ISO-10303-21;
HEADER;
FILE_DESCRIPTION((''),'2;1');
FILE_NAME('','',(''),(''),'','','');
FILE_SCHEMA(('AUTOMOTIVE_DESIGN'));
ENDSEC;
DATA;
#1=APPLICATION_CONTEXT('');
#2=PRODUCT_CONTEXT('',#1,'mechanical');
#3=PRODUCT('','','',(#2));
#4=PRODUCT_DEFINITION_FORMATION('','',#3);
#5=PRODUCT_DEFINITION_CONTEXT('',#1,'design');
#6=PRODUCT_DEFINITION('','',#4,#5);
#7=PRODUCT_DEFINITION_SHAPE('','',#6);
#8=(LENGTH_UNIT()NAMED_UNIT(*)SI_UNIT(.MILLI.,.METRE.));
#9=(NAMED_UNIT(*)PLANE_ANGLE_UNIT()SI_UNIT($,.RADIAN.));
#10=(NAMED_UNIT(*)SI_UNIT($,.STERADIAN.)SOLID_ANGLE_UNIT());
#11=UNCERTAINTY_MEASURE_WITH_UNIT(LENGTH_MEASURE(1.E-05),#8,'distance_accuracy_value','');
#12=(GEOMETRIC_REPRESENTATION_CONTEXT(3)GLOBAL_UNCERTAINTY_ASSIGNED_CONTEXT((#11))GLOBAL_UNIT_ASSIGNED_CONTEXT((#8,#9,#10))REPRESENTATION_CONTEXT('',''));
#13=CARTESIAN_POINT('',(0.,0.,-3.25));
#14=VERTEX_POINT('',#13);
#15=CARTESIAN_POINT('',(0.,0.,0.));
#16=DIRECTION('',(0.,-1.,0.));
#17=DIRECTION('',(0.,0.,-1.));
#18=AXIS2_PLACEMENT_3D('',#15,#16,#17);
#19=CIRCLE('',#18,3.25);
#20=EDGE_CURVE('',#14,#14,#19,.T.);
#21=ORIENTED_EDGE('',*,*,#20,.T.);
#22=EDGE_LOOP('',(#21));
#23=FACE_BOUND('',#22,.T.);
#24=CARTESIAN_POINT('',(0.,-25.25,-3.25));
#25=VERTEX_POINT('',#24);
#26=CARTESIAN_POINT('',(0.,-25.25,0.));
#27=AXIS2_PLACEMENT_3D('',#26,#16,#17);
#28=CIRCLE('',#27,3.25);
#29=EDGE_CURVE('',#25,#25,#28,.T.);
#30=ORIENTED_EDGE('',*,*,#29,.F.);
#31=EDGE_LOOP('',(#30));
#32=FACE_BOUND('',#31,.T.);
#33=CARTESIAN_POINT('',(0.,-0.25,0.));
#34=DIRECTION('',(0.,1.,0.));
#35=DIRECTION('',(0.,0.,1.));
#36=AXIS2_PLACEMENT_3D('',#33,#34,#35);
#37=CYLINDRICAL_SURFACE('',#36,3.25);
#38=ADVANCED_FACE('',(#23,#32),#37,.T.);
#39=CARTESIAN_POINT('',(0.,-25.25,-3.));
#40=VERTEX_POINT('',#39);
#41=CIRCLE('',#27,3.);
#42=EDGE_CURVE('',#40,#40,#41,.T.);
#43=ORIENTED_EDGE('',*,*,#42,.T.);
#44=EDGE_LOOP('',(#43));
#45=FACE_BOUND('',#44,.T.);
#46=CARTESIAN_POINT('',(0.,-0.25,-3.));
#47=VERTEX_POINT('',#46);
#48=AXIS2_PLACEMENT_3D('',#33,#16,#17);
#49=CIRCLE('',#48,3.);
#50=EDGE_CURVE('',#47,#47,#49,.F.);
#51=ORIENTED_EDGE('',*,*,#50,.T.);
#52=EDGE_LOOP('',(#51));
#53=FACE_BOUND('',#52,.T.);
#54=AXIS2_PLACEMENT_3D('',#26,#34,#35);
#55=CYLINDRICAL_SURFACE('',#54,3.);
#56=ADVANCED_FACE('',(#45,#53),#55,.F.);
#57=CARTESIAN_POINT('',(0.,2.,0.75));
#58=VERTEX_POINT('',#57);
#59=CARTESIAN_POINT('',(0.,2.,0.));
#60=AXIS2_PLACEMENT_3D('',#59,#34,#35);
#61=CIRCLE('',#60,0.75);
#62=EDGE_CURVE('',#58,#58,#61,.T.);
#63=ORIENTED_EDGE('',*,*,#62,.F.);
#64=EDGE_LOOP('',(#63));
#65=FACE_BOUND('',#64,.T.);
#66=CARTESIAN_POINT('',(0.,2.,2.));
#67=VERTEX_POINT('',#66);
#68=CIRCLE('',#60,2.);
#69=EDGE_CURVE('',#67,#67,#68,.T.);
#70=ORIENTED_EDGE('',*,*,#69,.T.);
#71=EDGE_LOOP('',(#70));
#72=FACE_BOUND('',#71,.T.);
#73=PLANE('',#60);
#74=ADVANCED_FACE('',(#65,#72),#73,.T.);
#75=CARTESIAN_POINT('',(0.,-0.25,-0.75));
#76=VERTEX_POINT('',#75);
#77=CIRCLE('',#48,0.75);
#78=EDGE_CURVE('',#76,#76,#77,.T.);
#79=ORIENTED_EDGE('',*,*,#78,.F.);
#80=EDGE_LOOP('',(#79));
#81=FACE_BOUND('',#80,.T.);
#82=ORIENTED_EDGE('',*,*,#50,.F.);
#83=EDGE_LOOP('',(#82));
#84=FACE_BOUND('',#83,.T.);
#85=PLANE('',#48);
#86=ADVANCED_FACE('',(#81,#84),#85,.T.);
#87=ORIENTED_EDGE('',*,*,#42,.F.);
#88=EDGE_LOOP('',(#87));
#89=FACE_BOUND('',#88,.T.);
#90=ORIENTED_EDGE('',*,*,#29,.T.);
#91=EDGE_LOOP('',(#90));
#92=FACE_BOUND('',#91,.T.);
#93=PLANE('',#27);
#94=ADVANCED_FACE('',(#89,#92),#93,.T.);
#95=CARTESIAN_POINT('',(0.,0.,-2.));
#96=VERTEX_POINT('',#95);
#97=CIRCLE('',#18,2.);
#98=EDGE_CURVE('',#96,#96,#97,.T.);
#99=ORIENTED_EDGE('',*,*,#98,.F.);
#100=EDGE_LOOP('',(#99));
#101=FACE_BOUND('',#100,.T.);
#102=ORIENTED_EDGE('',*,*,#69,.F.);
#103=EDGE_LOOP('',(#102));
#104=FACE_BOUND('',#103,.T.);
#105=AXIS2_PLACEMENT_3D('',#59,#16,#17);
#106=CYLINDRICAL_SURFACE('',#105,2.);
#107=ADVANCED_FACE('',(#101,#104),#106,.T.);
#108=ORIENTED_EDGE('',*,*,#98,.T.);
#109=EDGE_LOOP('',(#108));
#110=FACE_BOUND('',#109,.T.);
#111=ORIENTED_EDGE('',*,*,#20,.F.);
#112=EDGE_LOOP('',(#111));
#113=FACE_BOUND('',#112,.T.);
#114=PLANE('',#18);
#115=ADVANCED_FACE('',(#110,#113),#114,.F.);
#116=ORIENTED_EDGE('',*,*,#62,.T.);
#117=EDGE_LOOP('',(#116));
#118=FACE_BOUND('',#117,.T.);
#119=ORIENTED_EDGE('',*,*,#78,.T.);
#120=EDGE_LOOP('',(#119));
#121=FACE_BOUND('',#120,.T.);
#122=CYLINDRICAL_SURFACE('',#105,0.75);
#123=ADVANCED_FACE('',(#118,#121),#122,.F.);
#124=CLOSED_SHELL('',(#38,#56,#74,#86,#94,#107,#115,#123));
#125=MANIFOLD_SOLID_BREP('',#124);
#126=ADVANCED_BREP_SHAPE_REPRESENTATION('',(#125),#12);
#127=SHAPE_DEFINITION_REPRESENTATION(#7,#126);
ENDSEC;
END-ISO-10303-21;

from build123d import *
from build123d.topology import SkipClean

# Parameters (mm, degrees)
SKETCH1_R           = 2
SKETCH1_R_2         = 0.75
BOSS_EXTRUDE1_DEPTH = 2
BOSS_EXTRUDE2_START = 0.25
SKETCH2_R           = 3.25
SKETCH2_R_2         = 0.75
BOSS_EXTRUDE2_DEPTH = 0.25
BOSS_EXTRUDE3_START = 25
SKETCH3_R           = 3.25
SKETCH3_R_2         = 3
BOSS_EXTRUDE3_DEPTH = 25


with BuildPart() as part:
    # Sketch1 → Boss-Extrude1 (new body)
    with BuildSketch(Plane(origin=(0, 0, 0), x_dir=(1, 0, 0), z_dir=(0, 1, 0))):
        with Locations(Location((0, 0, 0), (0, 0, 270))):
            Circle(SKETCH1_R)
        with Locations(Location((0, 0, 0), (0, 0, 270))):
            Circle(SKETCH1_R_2, mode=Mode.SUBTRACT)
    extrude(amount=BOSS_EXTRUDE1_DEPTH)

    # Sketch2 → Boss-Extrude2 (add)
    with SkipClean():  # the faces are left unmerged after this step: merging them gives an invalid solid
        with BuildSketch(Plane.XZ.offset(BOSS_EXTRUDE2_START)):
            with Locations(Location((0, 0, 0), (0, 0, 270))):
                Circle(SKETCH2_R)
            with Locations(Location((0, 0, 0), (0, 0, 270))):
                Circle(SKETCH2_R_2, mode=Mode.SUBTRACT)
        extrude(amount=-BOSS_EXTRUDE2_DEPTH)

    # Sketch3 → Boss-Extrude3 (add)
    with SkipClean():  # the faces are left unmerged after this step: merging them gives an invalid solid
        with BuildSketch(Plane.XZ.offset(0.25).offset(BOSS_EXTRUDE3_START)):
            with Locations(Location((0, 0, 0), (0, 0, 270))):
                Circle(SKETCH3_R)
            with Locations(Location((0, 0, 0), (0, 0, 270))):
                Circle(SKETCH3_R_2, mode=Mode.SUBTRACT)
        extrude(amount=-BOSS_EXTRUDE3_DEPTH)


solid = part.part
